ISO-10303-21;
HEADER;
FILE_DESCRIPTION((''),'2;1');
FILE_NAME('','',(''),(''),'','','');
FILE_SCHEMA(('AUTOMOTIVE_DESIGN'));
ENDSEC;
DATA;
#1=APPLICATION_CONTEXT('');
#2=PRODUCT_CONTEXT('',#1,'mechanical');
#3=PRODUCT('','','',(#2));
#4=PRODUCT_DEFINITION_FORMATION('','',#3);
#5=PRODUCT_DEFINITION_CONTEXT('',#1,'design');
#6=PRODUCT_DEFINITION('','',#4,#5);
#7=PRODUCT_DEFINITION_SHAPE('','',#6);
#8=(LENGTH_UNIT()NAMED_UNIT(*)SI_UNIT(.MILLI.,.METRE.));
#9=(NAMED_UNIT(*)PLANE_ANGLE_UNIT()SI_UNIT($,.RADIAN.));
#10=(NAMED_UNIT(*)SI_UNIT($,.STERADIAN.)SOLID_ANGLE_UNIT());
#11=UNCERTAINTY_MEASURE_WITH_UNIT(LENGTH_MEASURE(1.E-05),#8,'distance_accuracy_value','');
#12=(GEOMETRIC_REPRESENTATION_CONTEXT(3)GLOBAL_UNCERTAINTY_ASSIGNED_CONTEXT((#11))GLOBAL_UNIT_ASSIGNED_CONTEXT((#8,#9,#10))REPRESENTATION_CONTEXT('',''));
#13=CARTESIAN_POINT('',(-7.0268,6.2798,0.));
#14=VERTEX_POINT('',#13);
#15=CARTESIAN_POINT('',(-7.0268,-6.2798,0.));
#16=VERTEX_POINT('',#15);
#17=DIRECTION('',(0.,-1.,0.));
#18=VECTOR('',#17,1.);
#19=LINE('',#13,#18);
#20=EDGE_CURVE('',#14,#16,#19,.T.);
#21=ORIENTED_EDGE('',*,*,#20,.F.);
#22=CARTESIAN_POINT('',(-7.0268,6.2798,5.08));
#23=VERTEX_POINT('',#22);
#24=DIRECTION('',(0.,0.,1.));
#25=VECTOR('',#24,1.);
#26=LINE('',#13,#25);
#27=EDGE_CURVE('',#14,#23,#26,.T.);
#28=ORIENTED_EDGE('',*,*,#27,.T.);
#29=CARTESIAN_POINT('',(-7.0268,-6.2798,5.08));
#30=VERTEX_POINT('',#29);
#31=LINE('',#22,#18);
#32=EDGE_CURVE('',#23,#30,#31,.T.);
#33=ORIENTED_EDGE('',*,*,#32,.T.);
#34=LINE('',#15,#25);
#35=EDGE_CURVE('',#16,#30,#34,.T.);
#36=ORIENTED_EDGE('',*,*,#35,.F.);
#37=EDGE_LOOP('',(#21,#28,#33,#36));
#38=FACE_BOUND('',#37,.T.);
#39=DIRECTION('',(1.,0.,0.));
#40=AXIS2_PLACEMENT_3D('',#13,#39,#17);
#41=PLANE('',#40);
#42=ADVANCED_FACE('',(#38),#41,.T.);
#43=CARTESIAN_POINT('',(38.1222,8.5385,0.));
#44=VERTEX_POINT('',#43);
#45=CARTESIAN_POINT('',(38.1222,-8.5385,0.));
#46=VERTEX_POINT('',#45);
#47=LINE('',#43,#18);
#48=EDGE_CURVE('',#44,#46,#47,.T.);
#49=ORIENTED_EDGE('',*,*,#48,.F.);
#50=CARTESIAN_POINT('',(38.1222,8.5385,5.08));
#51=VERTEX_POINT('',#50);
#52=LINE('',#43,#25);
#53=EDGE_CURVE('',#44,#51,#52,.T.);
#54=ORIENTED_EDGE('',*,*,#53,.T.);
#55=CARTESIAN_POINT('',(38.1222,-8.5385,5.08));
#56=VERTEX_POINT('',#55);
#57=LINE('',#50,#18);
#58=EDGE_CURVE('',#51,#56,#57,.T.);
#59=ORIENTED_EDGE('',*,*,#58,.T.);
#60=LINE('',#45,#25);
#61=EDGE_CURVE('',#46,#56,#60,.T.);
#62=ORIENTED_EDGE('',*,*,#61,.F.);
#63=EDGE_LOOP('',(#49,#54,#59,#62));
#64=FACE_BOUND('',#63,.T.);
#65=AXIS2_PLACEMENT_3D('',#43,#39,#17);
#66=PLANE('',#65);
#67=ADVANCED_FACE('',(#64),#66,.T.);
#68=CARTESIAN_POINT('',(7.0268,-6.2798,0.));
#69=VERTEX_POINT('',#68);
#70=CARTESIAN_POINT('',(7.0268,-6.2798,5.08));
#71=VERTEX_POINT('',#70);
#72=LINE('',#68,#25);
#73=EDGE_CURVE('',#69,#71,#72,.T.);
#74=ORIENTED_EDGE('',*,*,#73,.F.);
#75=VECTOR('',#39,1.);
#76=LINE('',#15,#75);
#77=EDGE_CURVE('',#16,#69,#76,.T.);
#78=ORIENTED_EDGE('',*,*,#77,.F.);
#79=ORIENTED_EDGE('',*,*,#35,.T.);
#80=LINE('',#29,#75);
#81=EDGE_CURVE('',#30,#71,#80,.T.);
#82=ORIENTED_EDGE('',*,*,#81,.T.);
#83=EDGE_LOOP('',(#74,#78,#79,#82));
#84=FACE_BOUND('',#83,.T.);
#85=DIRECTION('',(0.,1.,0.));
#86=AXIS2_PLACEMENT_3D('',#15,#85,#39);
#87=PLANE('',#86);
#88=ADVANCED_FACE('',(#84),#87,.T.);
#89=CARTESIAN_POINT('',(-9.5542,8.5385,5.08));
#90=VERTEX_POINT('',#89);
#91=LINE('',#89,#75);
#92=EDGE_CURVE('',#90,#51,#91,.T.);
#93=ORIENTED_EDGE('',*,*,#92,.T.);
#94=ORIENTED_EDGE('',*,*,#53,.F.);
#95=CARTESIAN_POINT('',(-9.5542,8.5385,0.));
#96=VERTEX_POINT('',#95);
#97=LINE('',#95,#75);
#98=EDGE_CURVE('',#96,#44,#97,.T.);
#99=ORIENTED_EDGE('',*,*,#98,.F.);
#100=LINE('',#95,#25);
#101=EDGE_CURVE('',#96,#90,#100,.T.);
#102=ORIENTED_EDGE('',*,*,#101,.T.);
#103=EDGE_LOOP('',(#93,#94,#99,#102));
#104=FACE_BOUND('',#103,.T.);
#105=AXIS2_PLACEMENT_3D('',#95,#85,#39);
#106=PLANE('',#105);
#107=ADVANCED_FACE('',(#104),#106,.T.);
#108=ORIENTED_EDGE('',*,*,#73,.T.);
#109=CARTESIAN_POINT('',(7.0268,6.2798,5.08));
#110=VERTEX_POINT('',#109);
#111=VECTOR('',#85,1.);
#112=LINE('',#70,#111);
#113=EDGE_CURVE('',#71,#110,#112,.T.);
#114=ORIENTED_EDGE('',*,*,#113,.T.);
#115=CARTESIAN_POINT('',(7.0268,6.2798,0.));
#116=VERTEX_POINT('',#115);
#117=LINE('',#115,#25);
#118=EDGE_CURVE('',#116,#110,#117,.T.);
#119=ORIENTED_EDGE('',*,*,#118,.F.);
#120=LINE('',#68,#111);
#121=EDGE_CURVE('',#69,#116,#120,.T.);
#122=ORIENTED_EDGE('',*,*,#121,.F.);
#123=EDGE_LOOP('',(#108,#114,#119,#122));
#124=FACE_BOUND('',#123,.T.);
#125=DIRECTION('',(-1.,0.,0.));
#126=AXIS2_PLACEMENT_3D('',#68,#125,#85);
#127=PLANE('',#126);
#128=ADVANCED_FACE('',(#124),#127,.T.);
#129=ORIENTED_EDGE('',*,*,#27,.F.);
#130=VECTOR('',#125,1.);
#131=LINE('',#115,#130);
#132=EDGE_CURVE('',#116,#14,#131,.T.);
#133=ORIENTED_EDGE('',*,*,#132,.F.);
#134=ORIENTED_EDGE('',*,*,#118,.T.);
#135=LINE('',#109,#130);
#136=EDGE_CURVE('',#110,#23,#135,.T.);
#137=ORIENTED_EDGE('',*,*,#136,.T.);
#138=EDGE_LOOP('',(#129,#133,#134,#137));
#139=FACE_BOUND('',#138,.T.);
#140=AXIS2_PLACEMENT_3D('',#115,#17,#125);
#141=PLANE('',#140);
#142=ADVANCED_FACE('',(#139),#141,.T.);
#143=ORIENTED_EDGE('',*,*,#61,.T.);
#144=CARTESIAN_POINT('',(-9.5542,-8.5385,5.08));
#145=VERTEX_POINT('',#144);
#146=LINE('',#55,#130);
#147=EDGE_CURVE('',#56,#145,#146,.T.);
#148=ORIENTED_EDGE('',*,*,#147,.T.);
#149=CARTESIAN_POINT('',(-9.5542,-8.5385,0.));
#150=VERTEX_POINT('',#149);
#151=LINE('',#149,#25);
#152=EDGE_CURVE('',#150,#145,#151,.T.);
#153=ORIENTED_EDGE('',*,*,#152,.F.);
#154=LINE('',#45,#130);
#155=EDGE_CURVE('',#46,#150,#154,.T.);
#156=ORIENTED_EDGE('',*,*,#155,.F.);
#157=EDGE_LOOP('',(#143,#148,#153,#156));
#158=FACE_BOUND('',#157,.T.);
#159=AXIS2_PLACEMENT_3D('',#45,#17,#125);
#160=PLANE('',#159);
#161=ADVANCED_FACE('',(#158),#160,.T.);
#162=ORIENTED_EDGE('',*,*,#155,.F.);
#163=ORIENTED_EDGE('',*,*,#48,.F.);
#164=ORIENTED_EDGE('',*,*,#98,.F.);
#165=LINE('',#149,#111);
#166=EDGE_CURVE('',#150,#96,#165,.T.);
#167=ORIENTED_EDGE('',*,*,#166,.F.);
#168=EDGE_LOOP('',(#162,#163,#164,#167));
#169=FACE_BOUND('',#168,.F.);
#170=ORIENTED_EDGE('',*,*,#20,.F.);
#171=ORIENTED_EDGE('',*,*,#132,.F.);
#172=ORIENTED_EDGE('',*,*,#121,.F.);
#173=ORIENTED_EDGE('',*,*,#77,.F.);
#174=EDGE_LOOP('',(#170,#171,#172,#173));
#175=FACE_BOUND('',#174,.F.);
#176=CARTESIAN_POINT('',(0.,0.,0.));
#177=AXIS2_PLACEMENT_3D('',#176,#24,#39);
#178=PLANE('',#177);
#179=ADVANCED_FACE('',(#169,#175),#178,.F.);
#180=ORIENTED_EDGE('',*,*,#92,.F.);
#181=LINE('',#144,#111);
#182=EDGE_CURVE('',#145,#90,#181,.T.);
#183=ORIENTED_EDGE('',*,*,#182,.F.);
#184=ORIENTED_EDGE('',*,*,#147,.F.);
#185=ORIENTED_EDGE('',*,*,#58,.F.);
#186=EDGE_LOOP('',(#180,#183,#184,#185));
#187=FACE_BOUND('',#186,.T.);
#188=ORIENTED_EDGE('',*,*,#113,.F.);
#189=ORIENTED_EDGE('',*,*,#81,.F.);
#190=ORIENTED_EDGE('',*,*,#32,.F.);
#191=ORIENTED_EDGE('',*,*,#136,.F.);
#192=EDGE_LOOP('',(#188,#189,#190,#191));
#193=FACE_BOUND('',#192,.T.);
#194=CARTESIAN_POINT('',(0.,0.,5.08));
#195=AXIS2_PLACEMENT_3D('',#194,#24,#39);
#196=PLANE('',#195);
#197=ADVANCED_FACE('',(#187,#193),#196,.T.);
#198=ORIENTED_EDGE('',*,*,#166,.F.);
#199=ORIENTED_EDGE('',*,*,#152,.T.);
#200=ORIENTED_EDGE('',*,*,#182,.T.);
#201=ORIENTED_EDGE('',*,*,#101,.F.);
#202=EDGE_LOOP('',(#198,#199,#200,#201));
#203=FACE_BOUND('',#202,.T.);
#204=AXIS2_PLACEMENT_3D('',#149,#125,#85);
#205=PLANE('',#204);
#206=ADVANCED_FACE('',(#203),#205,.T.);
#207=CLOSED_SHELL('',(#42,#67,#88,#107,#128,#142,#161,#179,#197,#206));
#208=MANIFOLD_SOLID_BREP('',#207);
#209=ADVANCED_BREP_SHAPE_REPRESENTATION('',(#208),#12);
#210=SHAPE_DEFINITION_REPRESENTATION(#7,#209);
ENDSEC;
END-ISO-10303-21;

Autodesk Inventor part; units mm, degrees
ref_plane "YZ Plane" through (0, 0, 0) normal (1, 0, 0) x (0, 1, 0)
ref_plane "XZ Plane" through (0, 0, 0) normal (0, 1, 0) x (-1, 0, 0)
ref_plane "XY Plane" through (0, 0, 0) normal (0, 0, 1) x (1, 0, 0)
sketch "Boceto1" plane through (0, 0, 0) normal (0, 0, 1) x (1, 0, 0)
  point P0 (0, 0)
sketch "Boceto2" plane through (0, 0, 0) normal (0, 0, 1) x (1, 0, 0)
  line L0 (-7.0268, -6.2798) -> (7.0268, -6.2798)
  line L1 (7.0268, -6.2798) -> (7.0268, 6.2798)
  line L2 (7.0268, 6.2798) -> (-7.0268, 6.2798)
  line L3 (-7.0268, 6.2798) -> (-7.0268, -6.2798)
  line L4 (-7.0268, -6.2798) -> (7.0268, 6.2798) construction
  line L5 (7.0268, -6.2798) -> (-7.0268, 6.2798) construction
  line L6 (-9.5542, -8.5385) -> (-9.5542, 8.5385)
  line L7 (-9.5542, 8.5385) -> (38.1222, 8.5385)
  line L8 (38.1222, 8.5385) -> (38.1222, -8.5385)
  line L9 (38.1222, -8.5385) -> (-9.5542, -8.5385)
  point P0 (0, 0)
extrude "Extrusión1" add sketch "Boceto2" along normal blind 5.08
